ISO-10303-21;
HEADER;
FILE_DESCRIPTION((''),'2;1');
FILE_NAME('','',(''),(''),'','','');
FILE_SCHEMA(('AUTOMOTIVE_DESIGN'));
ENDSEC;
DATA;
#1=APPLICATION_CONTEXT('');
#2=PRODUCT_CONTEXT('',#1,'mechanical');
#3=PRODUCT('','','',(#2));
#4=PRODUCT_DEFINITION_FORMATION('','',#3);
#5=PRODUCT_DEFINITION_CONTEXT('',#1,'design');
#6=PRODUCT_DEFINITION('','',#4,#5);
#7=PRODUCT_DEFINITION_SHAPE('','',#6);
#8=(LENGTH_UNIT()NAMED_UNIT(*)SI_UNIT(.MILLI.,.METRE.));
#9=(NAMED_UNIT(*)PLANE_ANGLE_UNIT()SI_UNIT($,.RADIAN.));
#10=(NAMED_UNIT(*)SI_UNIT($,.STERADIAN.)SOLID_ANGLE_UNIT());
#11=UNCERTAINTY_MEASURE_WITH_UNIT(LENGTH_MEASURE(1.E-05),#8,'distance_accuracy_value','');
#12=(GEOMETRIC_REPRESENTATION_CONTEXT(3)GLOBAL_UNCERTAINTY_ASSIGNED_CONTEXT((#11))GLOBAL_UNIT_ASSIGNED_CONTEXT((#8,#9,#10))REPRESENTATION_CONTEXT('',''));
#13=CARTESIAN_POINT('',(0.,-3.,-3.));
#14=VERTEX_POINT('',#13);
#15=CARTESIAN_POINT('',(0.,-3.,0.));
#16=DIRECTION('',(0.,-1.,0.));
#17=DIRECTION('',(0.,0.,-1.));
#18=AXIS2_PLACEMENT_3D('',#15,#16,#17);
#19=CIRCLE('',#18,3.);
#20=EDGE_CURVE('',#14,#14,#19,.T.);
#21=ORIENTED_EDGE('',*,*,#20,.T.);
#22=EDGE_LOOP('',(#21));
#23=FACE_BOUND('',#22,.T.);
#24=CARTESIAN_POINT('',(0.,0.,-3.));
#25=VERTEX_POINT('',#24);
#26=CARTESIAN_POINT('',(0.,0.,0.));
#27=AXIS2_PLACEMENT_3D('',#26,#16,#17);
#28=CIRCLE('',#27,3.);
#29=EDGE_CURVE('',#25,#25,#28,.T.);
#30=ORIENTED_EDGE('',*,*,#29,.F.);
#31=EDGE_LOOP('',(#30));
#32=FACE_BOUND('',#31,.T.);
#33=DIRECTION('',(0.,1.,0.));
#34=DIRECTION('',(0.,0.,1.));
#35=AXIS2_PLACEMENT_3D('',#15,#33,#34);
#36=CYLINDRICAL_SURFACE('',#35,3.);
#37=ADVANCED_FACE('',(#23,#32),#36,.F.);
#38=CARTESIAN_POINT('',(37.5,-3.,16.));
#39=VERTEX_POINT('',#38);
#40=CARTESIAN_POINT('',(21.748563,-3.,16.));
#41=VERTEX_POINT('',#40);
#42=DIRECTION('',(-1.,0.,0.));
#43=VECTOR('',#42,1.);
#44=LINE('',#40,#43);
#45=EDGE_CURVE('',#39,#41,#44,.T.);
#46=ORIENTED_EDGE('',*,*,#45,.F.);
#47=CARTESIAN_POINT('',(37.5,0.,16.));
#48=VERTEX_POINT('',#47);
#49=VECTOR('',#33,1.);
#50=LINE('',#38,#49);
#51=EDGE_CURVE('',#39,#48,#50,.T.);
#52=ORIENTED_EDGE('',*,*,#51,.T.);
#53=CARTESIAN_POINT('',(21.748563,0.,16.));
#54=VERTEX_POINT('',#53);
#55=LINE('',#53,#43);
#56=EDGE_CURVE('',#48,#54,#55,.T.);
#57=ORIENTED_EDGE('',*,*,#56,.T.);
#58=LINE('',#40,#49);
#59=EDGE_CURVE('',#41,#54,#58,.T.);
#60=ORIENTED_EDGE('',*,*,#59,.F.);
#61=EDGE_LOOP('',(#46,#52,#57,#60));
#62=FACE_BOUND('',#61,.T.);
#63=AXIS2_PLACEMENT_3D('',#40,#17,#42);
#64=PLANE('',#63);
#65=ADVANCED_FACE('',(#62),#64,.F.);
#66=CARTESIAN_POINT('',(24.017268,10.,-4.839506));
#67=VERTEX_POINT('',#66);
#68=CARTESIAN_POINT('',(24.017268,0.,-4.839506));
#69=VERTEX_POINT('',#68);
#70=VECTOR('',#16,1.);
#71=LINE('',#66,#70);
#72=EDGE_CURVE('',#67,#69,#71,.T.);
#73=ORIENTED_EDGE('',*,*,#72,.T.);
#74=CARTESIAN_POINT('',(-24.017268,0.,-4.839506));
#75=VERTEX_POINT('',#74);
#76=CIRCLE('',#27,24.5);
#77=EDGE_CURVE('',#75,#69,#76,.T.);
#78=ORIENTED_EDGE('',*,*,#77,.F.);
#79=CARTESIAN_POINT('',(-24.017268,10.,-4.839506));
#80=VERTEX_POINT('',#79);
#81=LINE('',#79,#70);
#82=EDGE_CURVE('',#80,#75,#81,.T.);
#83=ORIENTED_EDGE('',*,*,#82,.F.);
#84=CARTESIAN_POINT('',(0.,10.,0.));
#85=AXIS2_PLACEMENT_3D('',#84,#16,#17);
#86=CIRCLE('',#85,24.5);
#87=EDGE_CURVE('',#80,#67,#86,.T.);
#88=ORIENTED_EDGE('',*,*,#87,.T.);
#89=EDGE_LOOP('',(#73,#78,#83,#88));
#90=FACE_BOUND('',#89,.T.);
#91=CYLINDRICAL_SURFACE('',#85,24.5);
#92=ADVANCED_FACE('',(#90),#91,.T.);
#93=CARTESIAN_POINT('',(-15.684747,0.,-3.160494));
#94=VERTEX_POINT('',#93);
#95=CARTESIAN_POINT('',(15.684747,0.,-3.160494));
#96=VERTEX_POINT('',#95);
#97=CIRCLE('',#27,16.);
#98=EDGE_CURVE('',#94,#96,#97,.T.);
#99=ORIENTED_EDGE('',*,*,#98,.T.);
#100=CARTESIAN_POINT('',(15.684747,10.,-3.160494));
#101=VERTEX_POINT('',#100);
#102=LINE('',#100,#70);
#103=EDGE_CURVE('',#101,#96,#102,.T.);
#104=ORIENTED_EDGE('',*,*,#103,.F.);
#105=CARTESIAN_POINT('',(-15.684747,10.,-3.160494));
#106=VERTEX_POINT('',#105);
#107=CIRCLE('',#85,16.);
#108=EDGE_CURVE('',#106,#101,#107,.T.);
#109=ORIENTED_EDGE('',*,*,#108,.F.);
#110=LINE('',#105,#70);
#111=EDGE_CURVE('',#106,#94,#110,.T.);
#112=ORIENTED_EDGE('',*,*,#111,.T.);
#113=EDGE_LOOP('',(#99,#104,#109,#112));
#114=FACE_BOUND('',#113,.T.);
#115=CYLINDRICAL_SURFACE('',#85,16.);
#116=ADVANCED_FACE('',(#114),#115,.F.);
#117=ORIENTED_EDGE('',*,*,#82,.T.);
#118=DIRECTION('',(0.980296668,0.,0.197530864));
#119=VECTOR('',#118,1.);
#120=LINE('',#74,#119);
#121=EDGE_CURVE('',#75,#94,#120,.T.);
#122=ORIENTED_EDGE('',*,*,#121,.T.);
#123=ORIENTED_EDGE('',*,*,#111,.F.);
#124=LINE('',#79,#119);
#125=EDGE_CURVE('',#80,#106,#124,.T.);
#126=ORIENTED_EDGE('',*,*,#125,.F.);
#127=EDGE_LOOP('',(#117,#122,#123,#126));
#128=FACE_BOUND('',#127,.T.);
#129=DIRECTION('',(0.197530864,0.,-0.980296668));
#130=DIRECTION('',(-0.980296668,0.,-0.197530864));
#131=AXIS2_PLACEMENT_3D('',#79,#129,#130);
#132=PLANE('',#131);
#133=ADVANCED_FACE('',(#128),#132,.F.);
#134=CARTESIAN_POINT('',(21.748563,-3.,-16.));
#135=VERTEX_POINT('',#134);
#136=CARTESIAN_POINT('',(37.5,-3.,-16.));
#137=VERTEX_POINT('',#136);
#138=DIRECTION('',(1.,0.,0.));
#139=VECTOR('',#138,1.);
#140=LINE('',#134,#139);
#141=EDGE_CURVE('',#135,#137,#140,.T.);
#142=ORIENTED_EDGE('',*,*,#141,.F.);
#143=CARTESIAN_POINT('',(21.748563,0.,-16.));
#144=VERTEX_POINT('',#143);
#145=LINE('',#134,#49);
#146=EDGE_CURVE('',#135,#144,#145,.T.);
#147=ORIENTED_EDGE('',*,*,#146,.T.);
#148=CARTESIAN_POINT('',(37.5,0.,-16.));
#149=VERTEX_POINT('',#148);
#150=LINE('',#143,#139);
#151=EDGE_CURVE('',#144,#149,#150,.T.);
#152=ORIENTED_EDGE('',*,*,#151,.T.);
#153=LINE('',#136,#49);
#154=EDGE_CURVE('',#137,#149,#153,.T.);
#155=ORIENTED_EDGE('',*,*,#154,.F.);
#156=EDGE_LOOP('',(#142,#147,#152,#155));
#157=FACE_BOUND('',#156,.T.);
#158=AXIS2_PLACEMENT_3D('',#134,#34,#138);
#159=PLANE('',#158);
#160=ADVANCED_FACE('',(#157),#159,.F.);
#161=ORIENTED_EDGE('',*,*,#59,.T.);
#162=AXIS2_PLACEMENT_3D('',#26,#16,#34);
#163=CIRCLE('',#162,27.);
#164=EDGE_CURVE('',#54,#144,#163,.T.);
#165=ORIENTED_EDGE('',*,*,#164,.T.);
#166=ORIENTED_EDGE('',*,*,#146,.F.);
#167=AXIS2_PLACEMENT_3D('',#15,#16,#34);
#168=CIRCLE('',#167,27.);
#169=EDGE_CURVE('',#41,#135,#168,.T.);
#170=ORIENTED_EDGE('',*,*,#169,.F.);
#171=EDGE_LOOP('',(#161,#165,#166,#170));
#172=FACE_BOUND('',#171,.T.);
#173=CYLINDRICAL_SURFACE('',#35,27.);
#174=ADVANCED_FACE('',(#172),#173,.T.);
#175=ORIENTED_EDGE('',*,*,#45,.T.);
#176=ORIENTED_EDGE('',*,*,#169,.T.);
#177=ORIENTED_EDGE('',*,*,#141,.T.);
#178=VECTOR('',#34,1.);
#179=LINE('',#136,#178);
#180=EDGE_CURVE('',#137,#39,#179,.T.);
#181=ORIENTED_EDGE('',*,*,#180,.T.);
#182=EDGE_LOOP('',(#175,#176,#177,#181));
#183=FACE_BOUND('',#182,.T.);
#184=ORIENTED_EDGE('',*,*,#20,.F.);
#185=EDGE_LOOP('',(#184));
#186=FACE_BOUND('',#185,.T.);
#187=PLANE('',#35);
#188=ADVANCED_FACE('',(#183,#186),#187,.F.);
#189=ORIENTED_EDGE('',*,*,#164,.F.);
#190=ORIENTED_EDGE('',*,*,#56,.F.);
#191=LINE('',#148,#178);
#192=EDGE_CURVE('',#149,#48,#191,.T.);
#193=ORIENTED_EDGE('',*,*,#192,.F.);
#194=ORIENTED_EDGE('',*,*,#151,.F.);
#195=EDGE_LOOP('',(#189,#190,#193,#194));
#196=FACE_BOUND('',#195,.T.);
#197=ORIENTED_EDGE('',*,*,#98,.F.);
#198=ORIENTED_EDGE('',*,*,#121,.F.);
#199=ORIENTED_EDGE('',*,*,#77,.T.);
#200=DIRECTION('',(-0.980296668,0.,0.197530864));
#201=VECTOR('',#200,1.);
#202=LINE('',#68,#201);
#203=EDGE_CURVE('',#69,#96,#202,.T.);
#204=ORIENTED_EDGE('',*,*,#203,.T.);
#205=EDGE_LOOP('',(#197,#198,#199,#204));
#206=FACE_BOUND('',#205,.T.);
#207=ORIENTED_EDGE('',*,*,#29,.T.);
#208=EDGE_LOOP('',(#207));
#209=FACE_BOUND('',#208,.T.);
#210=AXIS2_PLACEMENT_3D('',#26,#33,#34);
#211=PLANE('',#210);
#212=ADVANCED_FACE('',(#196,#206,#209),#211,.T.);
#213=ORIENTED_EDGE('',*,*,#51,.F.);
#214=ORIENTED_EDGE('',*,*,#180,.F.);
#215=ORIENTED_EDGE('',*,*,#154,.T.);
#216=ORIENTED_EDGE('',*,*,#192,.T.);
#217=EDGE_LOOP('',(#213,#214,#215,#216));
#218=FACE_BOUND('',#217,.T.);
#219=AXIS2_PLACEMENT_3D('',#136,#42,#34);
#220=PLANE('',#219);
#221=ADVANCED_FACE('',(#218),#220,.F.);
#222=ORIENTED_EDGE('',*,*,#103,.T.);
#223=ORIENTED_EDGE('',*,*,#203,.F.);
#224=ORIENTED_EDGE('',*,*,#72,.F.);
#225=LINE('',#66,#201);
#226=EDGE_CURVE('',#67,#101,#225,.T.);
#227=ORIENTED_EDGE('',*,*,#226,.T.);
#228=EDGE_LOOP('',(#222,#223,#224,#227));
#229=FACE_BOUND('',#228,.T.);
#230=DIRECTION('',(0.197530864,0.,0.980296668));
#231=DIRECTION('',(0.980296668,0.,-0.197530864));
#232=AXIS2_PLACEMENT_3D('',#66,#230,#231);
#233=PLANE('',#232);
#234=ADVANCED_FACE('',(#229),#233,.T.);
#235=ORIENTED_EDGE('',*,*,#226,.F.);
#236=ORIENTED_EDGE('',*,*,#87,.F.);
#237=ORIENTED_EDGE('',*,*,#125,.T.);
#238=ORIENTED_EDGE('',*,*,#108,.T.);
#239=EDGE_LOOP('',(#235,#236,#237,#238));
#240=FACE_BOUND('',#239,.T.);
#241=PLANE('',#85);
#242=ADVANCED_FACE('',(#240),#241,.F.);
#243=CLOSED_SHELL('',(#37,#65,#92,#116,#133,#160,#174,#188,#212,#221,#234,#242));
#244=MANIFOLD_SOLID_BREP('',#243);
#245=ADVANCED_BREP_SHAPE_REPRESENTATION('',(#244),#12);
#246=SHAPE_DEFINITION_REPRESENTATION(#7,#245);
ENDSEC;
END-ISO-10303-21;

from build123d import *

# Parameters (mm, degrees)
BOSS_EXTRUDE1_DEPTH = 10
SKETCH2_R           = 3
BOSS_EXTRUDE2_DEPTH = 3


with BuildPart() as part:
    # Sketch1 → Boss-Extrude1 (new body)
    with BuildSketch(Plane(origin=(0, 0, 0), x_dir=(1, 0, 0), z_dir=(0, 1, 0))):
        with BuildLine():
            Line((-24.017268371, 4.839506173), (-15.684746691, 3.160493827))
            ThreePointArc((-15.684746691, 3.160493827), (0, 16), (15.684746691, 3.160493827))
            Line((15.684746691, 3.160493827), (24.017268371, 4.839506173))
            ThreePointArc((24.017268371, 4.839506173), (0, 24.5), (-24.017268371, 4.839506173))
        make_face()
    extrude(amount=BOSS_EXTRUDE1_DEPTH)

    # Sketch2 → Boss-Extrude2 (add)
    with BuildSketch(Plane.XZ):
        with BuildLine():
            Line((37.5, -16), (37.5, 16))
            Line((37.5, 16), (21.748563171, 16))
            ThreePointArc((21.748563171, 16), (12.186057607, 24.093567606), (0, 27))
            ThreePointArc((0, 27), (-27, 0), (0, -27))
            ThreePointArc((0, -27), (12.186057607, -24.093567606), (21.748563171, -16))
            Line((21.748563171, -16), (37.5, -16))
        make_face()
        Circle(SKETCH2_R, mode=Mode.SUBTRACT)
    extrude(amount=BOSS_EXTRUDE2_DEPTH)


solid = part.part
